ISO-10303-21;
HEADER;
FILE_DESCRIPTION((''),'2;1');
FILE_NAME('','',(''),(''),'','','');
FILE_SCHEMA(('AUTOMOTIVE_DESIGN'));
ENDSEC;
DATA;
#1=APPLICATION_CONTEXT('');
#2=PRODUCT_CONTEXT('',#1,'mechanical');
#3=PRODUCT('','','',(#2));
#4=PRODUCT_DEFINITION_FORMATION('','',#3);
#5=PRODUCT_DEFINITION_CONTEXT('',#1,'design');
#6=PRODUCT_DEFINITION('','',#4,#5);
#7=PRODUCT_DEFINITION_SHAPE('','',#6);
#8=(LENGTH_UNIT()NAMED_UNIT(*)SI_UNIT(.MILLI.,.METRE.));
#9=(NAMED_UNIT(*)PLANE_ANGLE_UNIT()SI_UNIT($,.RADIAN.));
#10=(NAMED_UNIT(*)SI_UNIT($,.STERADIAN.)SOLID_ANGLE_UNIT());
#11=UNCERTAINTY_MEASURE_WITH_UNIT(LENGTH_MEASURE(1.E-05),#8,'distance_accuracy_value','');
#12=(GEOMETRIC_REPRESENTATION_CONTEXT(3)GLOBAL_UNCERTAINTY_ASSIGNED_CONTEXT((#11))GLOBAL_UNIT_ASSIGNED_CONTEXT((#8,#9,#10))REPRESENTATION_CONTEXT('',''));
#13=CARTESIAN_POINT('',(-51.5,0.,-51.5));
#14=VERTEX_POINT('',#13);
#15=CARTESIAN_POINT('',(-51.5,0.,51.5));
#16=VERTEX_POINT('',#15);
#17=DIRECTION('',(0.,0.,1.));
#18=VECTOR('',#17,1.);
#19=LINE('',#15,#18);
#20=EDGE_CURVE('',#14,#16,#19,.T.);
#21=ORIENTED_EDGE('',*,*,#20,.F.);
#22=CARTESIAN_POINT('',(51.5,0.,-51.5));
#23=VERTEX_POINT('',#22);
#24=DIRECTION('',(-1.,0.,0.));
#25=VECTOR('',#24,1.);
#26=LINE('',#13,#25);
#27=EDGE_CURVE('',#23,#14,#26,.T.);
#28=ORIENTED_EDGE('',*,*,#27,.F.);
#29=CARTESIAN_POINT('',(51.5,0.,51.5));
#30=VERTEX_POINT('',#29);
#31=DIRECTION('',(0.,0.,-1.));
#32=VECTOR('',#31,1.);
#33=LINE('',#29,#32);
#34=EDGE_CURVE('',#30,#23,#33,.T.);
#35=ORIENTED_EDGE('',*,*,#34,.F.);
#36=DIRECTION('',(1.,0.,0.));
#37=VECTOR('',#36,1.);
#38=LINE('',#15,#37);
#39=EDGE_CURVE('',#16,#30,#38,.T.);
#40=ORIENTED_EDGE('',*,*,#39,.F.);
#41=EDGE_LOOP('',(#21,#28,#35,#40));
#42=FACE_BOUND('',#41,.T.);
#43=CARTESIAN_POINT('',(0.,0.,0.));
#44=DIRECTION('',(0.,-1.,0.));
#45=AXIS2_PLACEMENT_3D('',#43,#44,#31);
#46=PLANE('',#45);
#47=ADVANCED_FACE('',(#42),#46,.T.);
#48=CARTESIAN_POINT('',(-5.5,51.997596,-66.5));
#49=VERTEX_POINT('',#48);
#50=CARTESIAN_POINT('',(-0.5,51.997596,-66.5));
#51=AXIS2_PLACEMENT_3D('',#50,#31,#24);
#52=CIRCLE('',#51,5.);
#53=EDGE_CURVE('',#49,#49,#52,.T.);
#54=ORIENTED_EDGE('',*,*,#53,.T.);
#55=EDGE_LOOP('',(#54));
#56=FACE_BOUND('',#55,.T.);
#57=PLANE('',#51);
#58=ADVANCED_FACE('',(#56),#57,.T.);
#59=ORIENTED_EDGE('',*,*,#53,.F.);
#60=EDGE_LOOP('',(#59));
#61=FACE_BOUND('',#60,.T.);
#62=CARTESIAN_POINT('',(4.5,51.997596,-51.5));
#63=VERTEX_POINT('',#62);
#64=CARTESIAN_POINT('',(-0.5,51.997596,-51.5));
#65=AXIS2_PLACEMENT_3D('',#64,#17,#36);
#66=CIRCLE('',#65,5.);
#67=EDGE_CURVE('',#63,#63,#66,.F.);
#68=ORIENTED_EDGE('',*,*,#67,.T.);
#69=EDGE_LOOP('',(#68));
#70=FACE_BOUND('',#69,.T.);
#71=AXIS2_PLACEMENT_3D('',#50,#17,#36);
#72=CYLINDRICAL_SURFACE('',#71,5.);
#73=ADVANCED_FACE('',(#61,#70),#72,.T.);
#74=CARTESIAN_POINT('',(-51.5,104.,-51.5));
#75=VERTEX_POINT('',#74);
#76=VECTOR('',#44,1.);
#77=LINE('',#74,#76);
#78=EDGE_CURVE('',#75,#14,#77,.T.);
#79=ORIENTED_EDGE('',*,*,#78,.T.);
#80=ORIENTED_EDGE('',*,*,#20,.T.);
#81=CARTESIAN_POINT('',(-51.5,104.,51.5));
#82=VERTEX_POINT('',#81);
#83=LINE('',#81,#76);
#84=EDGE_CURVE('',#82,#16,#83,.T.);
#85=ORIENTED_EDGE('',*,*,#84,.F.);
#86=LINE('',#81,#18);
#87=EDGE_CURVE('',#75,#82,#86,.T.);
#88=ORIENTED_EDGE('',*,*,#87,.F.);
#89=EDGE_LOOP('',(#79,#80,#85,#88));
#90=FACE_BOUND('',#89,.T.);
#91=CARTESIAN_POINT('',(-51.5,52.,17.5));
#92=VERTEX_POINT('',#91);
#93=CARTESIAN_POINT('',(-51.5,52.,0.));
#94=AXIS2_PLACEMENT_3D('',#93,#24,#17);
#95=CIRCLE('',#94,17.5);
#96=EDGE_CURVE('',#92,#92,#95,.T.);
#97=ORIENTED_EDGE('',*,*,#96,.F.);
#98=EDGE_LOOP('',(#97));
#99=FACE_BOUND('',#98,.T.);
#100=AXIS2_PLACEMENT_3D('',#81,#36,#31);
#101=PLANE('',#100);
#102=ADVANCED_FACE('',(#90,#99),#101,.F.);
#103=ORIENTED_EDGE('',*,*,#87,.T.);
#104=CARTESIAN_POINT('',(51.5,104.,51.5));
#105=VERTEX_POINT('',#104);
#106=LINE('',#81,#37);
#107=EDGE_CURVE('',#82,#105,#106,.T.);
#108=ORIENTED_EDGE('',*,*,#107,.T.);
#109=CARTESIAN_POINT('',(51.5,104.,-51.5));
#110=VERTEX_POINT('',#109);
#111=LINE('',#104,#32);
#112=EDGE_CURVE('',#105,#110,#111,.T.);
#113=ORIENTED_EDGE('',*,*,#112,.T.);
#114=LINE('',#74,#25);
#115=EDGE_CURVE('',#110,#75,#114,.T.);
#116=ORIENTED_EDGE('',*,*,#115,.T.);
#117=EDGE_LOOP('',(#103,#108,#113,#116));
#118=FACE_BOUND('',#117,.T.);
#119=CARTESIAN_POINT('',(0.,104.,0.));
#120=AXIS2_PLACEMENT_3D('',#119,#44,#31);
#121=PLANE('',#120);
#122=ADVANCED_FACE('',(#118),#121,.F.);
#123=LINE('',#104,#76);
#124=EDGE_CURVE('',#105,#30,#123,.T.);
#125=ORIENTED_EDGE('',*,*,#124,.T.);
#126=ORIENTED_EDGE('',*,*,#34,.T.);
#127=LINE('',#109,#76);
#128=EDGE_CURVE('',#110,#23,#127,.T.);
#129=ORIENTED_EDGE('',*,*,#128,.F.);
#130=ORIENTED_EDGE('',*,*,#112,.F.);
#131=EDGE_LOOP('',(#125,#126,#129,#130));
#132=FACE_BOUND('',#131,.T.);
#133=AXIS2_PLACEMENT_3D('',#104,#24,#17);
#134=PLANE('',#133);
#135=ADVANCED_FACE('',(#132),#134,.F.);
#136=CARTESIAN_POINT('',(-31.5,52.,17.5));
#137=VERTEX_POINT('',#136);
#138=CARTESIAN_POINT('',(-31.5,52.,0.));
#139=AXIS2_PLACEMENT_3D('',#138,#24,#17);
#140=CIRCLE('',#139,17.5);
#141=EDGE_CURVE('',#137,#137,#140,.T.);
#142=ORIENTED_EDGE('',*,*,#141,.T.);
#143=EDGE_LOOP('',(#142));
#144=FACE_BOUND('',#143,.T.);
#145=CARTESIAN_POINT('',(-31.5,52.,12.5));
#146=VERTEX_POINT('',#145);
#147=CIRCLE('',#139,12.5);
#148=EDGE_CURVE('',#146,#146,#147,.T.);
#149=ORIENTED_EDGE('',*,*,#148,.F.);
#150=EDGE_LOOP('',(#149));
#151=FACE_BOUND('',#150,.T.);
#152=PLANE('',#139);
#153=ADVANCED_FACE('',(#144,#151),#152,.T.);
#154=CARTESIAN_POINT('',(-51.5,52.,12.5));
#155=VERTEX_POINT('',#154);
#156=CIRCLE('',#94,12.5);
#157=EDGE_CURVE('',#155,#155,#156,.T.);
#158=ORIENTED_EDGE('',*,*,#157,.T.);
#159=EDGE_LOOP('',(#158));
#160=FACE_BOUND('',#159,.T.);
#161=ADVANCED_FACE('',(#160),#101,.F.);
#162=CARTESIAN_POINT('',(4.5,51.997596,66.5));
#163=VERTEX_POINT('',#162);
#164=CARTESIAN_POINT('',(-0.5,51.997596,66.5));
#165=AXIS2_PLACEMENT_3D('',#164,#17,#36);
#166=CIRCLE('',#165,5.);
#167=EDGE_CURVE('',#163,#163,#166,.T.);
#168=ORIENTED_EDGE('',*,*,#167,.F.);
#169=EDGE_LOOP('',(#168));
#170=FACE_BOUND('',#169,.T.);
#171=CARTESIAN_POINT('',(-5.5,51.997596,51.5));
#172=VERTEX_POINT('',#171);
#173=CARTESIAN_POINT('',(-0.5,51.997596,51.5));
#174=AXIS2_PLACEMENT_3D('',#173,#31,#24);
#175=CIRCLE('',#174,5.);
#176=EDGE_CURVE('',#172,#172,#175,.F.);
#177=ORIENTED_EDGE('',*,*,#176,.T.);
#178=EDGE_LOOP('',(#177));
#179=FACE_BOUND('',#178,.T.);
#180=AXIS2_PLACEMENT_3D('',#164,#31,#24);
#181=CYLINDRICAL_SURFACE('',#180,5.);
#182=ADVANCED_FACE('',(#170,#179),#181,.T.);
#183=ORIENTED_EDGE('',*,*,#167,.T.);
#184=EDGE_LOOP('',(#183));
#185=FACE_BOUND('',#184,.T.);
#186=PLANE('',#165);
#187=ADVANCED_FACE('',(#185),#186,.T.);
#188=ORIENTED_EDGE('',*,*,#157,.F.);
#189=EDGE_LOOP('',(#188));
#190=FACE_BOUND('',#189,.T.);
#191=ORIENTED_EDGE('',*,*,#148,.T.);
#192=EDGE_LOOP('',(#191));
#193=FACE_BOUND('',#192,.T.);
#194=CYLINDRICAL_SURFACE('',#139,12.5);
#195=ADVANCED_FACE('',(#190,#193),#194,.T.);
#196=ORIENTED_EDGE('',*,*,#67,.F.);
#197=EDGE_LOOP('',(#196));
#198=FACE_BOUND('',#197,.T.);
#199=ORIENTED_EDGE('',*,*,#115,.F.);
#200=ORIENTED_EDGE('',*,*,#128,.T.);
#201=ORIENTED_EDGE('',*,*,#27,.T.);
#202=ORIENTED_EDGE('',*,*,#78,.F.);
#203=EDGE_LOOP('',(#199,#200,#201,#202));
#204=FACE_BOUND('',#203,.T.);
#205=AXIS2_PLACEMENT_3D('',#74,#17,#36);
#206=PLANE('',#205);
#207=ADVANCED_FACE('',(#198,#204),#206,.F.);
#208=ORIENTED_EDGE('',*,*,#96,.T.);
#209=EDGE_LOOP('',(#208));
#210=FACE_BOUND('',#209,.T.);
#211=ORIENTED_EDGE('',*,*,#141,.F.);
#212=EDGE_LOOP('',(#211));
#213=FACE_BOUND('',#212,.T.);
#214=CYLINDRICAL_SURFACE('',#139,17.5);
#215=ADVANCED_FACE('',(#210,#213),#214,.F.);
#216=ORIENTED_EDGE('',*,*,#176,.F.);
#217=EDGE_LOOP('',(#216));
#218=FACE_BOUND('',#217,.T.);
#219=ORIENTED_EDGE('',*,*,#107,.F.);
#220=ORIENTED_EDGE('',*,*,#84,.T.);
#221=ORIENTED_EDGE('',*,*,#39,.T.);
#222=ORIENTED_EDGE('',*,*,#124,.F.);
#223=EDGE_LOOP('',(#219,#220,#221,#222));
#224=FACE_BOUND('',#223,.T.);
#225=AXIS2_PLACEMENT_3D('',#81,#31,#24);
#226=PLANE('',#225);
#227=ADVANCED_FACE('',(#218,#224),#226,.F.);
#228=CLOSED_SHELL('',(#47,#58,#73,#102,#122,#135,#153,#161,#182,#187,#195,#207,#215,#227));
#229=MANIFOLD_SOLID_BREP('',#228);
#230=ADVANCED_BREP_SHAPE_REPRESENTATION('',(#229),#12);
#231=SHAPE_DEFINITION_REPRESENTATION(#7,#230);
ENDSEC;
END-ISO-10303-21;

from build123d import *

# Parameters (mm, degrees)
SKETCH1_W           = 103
SKETCH1_H           = 103
BOSS_EXTRUDE1_DEPTH = 104
SKETCH2_R           = 5
BOSS_EXTRUDE2_DEPTH = 15
BOSS_EXTRUDE3_START = 15
SKETCH3_R           = 5
BOSS_EXTRUDE3_DEPTH = 15
SKETCH4_R           = 17.5
SKETCH4_R_2         = 12.5
CUT_EXTRUDE1_DEPTH  = 20


with BuildPart() as part:
    # Sketch1 → Boss-Extrude1 (new body)
    with BuildSketch(Plane(origin=(0, 0, 0), x_dir=(1, 0, 0), z_dir=(0, 1, 0))):
        Rectangle(SKETCH1_W, SKETCH1_H)
    extrude(amount=BOSS_EXTRUDE1_DEPTH)

    # Sketch2 → Boss-Extrude2 (add)
    with BuildSketch(Plane.XY.offset(51.5)):
        with Locations(Location((-0.5, 51.997596098, 0), (0, 0, 180))):
            Circle(SKETCH2_R)
    extrude(amount=BOSS_EXTRUDE2_DEPTH)

    # Sketch3 → Boss-Extrude3 (add)
    with BuildSketch(Plane(origin=(0, 0, -51.5), x_dir=(-1, 0, 0), z_dir=(0, 0, -1)).offset(BOSS_EXTRUDE3_START)):
        with Locations((0.5, 51.997596098)):
            Circle(SKETCH3_R)
    extrude(amount=-BOSS_EXTRUDE3_DEPTH)

    # Sketch4 → Cut-Extrude1 (cut)
    with BuildSketch(Plane.ZY.offset(51.5)):
        with Locations((0, 52)):
            Circle(SKETCH4_R)
        with Locations((0, 52)):
            Circle(SKETCH4_R_2, mode=Mode.SUBTRACT)
    extrude(amount=-CUT_EXTRUDE1_DEPTH, mode=Mode.SUBTRACT)


solid = part.part
